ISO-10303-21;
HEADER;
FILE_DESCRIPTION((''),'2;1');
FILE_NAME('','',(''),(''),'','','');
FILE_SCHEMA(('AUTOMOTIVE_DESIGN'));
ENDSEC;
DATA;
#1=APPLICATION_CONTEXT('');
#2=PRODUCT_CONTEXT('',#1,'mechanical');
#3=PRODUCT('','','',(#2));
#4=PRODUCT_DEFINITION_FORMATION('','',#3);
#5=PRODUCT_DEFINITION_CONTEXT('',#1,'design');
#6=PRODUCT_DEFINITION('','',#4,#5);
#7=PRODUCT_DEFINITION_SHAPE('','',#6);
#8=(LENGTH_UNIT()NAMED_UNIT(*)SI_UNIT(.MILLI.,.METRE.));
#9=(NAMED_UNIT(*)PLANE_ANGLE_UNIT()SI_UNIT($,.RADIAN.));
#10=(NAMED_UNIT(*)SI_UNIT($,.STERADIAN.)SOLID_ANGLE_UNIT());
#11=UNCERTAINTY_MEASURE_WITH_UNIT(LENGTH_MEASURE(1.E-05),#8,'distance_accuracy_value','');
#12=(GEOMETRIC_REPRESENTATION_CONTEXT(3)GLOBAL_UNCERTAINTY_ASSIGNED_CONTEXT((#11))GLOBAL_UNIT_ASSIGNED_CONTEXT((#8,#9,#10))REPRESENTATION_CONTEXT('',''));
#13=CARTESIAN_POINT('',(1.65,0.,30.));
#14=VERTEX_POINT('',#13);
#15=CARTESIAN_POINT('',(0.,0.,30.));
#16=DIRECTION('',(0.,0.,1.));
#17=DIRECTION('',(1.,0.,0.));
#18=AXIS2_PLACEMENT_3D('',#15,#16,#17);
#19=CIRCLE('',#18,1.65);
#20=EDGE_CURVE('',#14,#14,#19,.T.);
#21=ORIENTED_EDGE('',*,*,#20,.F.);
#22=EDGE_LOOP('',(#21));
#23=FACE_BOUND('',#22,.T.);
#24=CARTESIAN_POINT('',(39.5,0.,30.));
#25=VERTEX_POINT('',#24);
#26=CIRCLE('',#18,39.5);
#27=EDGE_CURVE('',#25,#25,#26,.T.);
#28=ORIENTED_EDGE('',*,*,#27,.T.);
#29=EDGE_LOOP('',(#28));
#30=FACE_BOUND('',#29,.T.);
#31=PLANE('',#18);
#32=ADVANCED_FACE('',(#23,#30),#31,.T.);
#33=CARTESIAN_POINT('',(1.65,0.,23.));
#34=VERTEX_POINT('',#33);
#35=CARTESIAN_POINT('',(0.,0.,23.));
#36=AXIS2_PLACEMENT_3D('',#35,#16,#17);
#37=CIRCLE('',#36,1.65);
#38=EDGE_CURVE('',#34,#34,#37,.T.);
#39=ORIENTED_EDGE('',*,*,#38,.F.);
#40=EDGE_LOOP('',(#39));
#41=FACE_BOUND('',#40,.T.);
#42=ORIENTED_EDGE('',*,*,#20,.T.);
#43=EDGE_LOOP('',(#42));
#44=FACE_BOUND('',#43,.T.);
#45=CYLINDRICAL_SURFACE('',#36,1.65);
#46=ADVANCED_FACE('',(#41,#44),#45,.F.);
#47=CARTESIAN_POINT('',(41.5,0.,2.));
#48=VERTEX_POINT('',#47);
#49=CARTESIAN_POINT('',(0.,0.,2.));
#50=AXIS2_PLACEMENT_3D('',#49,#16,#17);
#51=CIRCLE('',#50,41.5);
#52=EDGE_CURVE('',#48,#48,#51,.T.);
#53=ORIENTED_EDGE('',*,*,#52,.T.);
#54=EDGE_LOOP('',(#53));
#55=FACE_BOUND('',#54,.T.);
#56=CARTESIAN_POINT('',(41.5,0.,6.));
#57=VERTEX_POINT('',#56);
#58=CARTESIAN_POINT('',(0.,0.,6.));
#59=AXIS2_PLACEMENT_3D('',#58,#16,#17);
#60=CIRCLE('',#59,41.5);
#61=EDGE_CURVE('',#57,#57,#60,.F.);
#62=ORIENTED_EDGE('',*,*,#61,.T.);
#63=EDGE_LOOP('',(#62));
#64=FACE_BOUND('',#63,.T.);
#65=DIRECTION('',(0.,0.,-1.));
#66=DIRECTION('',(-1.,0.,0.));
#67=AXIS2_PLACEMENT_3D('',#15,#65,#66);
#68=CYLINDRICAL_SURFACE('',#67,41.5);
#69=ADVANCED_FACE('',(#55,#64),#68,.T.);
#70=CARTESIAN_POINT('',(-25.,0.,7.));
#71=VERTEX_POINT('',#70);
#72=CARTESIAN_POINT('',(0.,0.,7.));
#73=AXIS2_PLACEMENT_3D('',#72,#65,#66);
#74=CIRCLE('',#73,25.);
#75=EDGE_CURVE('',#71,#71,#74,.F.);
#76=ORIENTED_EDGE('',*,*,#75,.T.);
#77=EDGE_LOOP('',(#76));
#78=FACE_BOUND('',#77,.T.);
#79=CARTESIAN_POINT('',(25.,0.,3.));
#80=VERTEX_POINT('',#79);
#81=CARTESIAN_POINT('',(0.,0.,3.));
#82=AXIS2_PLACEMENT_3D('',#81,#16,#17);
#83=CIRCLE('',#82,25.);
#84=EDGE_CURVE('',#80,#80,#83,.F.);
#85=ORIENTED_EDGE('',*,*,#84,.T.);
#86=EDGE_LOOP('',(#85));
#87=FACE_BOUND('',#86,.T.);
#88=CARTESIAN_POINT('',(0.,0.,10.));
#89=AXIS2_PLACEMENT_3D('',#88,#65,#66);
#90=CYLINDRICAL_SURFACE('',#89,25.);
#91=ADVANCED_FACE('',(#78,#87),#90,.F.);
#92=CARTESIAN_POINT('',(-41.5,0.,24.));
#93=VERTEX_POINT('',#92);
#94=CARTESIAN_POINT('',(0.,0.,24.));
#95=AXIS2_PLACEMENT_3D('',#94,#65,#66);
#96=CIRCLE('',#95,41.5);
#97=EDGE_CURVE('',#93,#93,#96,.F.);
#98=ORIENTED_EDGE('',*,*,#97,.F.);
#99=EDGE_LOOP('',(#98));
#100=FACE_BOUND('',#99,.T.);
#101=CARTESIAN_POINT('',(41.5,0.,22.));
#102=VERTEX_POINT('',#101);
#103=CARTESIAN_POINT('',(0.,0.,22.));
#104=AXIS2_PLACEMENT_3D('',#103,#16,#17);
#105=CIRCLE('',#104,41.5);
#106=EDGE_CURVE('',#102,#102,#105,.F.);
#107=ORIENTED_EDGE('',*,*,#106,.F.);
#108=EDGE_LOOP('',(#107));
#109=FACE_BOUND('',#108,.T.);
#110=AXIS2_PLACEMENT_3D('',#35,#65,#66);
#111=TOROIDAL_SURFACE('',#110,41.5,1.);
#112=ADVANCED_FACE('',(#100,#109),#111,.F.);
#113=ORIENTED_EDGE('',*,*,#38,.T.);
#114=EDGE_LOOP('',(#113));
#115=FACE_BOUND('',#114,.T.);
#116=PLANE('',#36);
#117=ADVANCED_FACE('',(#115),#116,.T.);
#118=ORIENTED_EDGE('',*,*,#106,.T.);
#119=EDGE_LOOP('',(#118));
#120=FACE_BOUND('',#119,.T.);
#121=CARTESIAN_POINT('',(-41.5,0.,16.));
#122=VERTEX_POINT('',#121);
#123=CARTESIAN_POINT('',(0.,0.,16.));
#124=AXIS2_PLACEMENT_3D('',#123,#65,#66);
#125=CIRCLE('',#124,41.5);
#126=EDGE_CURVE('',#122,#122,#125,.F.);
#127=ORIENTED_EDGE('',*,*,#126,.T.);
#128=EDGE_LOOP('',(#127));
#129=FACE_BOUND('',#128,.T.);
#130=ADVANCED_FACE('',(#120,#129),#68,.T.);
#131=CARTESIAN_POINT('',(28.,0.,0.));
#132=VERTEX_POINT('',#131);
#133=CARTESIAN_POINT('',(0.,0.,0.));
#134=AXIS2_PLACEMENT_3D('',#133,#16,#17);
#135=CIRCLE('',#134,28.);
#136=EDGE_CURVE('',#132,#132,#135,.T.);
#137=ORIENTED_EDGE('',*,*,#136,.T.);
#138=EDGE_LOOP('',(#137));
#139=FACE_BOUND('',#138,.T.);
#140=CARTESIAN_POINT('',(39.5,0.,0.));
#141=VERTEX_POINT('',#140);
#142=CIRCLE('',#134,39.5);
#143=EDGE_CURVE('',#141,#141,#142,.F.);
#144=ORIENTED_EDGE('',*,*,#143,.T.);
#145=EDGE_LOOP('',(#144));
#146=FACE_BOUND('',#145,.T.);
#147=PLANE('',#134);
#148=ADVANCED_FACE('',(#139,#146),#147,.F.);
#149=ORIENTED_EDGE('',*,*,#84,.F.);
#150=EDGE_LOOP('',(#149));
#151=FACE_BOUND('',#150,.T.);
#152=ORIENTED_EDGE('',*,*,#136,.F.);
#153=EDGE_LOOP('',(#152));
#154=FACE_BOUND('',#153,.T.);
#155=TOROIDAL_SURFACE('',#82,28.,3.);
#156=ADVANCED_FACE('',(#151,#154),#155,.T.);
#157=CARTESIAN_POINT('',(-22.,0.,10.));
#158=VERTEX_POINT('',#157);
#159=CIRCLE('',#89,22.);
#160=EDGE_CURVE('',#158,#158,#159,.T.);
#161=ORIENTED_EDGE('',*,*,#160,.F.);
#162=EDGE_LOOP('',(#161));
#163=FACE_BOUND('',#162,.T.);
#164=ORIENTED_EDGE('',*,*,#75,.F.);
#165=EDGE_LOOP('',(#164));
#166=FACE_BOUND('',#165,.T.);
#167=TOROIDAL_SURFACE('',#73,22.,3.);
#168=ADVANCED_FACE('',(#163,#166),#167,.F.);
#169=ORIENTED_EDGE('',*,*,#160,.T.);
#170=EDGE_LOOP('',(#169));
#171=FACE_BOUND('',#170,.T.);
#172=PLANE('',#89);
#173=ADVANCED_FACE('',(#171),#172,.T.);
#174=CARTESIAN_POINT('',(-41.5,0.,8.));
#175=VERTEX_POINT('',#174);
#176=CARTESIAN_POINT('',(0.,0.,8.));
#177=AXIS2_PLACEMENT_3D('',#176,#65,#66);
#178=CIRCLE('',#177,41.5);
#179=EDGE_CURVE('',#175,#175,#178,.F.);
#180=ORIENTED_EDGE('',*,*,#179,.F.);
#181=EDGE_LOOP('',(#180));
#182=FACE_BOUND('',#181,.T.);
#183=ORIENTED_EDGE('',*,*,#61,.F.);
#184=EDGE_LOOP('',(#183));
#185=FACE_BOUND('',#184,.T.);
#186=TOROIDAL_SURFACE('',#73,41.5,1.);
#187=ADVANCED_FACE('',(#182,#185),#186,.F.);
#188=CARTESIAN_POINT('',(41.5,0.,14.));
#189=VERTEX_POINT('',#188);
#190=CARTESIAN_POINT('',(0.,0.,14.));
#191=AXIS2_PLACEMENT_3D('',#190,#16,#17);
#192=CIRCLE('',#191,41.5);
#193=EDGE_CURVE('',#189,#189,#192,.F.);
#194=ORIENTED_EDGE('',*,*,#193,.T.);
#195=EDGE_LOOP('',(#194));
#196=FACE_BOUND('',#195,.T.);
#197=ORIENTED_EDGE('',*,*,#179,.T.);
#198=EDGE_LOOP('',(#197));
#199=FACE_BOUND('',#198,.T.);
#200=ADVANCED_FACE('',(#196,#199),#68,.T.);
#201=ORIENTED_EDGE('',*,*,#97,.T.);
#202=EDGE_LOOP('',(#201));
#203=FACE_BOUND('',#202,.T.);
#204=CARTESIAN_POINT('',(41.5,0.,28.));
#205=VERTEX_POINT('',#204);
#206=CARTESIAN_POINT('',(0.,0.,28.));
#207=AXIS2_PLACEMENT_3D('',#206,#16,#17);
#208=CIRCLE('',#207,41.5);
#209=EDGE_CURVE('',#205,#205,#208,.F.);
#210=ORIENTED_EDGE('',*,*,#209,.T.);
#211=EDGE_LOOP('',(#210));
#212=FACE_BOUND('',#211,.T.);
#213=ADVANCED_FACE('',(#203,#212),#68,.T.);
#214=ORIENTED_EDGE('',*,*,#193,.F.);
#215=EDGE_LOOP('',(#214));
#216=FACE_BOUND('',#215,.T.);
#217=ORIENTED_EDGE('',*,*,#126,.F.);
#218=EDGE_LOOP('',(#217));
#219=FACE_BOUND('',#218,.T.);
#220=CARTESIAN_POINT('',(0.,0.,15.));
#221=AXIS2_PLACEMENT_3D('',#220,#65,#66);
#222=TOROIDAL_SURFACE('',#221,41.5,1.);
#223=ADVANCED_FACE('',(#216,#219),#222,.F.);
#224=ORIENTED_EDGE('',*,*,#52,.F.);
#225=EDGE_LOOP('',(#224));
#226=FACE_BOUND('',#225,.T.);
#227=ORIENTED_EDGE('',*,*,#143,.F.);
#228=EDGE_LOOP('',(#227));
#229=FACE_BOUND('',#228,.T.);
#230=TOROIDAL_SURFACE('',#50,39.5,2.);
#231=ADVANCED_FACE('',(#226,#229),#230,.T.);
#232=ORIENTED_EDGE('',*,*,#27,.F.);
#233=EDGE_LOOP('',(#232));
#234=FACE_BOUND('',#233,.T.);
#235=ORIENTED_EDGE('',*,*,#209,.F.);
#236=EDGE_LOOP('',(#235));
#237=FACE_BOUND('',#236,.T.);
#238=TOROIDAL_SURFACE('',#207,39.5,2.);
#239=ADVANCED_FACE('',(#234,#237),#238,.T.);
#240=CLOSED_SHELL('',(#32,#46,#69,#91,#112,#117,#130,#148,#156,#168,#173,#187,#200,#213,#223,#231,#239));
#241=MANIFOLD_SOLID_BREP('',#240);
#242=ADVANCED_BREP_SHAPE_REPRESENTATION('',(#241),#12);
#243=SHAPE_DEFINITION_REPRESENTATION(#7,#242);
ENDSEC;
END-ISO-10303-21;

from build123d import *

# Parameters (mm, degrees)
SKICA1_R                 = 41.5
P_IDAT_VYSUNUT_M1_DEPTH  = 30
ZAOBLIT1_R               = 2
SKICA2_R                 = 1.65
ODEBRAT_VYSUNUT_M1_DEPTH = 7
SKICA3_R                 = 25
ODEBRAT_VYSUNUT_M2_DEPTH = 10
ZAOBLIT2_R               = 3
SKICA4_R                 = 1


with BuildPart() as part:
    # Skica1 → Přidat vysunutím1 (new body)
    with BuildSketch(Plane.XY):
        Circle(SKICA1_R)
    extrude(amount=P_IDAT_VYSUNUT_M1_DEPTH)

    # Zaoblit1
    zaoblit1_edges = [part.edges().sort_by_distance(p)[0] for p in [
        (-41.5, 0, 0),
        (-41.5, 0, 30),
    ]]
    fillet(zaoblit1_edges, radius=ZAOBLIT1_R)

    # Skica2 → Odebrat vysunutím1 (cut)
    with BuildSketch(Plane.XY.offset(30)):
        Circle(SKICA2_R)
    extrude(amount=-ODEBRAT_VYSUNUT_M1_DEPTH, mode=Mode.SUBTRACT)

    # Skica3 → Odebrat vysunutím2 (cut)
    with BuildSketch(Plane(origin=(0, 0, 0), x_dir=(-1, 0, 0), z_dir=(0, 0, -1))):
        Circle(SKICA3_R)
    extrude(amount=-ODEBRAT_VYSUNUT_M2_DEPTH, mode=Mode.SUBTRACT)

    # Zaoblit2
    zaoblit2_edges = [part.edges().sort_by_distance(p)[0] for p in [
        (25, 0, 10),
        (25, 0, 0),
    ]]
    fillet(zaoblit2_edges, radius=ZAOBLIT2_R)

    # Skica4 → Odebrat rotací1 (revolve, cut)
    with BuildSketch(Plane(origin=(0, 0, 0), x_dir=(0, 0, -1), z_dir=(1, 0, 0))):
        with Locations((-7, 41.5)):
            Circle(SKICA4_R)
        with Locations((-15, 41.5)):
            Circle(SKICA4_R)
        with Locations((-23, 41.5)):
            Circle(SKICA4_R)
    revolve(axis=Axis((0, 0, 23), (0, 0, 1)), mode=Mode.SUBTRACT)


solid = part.part
